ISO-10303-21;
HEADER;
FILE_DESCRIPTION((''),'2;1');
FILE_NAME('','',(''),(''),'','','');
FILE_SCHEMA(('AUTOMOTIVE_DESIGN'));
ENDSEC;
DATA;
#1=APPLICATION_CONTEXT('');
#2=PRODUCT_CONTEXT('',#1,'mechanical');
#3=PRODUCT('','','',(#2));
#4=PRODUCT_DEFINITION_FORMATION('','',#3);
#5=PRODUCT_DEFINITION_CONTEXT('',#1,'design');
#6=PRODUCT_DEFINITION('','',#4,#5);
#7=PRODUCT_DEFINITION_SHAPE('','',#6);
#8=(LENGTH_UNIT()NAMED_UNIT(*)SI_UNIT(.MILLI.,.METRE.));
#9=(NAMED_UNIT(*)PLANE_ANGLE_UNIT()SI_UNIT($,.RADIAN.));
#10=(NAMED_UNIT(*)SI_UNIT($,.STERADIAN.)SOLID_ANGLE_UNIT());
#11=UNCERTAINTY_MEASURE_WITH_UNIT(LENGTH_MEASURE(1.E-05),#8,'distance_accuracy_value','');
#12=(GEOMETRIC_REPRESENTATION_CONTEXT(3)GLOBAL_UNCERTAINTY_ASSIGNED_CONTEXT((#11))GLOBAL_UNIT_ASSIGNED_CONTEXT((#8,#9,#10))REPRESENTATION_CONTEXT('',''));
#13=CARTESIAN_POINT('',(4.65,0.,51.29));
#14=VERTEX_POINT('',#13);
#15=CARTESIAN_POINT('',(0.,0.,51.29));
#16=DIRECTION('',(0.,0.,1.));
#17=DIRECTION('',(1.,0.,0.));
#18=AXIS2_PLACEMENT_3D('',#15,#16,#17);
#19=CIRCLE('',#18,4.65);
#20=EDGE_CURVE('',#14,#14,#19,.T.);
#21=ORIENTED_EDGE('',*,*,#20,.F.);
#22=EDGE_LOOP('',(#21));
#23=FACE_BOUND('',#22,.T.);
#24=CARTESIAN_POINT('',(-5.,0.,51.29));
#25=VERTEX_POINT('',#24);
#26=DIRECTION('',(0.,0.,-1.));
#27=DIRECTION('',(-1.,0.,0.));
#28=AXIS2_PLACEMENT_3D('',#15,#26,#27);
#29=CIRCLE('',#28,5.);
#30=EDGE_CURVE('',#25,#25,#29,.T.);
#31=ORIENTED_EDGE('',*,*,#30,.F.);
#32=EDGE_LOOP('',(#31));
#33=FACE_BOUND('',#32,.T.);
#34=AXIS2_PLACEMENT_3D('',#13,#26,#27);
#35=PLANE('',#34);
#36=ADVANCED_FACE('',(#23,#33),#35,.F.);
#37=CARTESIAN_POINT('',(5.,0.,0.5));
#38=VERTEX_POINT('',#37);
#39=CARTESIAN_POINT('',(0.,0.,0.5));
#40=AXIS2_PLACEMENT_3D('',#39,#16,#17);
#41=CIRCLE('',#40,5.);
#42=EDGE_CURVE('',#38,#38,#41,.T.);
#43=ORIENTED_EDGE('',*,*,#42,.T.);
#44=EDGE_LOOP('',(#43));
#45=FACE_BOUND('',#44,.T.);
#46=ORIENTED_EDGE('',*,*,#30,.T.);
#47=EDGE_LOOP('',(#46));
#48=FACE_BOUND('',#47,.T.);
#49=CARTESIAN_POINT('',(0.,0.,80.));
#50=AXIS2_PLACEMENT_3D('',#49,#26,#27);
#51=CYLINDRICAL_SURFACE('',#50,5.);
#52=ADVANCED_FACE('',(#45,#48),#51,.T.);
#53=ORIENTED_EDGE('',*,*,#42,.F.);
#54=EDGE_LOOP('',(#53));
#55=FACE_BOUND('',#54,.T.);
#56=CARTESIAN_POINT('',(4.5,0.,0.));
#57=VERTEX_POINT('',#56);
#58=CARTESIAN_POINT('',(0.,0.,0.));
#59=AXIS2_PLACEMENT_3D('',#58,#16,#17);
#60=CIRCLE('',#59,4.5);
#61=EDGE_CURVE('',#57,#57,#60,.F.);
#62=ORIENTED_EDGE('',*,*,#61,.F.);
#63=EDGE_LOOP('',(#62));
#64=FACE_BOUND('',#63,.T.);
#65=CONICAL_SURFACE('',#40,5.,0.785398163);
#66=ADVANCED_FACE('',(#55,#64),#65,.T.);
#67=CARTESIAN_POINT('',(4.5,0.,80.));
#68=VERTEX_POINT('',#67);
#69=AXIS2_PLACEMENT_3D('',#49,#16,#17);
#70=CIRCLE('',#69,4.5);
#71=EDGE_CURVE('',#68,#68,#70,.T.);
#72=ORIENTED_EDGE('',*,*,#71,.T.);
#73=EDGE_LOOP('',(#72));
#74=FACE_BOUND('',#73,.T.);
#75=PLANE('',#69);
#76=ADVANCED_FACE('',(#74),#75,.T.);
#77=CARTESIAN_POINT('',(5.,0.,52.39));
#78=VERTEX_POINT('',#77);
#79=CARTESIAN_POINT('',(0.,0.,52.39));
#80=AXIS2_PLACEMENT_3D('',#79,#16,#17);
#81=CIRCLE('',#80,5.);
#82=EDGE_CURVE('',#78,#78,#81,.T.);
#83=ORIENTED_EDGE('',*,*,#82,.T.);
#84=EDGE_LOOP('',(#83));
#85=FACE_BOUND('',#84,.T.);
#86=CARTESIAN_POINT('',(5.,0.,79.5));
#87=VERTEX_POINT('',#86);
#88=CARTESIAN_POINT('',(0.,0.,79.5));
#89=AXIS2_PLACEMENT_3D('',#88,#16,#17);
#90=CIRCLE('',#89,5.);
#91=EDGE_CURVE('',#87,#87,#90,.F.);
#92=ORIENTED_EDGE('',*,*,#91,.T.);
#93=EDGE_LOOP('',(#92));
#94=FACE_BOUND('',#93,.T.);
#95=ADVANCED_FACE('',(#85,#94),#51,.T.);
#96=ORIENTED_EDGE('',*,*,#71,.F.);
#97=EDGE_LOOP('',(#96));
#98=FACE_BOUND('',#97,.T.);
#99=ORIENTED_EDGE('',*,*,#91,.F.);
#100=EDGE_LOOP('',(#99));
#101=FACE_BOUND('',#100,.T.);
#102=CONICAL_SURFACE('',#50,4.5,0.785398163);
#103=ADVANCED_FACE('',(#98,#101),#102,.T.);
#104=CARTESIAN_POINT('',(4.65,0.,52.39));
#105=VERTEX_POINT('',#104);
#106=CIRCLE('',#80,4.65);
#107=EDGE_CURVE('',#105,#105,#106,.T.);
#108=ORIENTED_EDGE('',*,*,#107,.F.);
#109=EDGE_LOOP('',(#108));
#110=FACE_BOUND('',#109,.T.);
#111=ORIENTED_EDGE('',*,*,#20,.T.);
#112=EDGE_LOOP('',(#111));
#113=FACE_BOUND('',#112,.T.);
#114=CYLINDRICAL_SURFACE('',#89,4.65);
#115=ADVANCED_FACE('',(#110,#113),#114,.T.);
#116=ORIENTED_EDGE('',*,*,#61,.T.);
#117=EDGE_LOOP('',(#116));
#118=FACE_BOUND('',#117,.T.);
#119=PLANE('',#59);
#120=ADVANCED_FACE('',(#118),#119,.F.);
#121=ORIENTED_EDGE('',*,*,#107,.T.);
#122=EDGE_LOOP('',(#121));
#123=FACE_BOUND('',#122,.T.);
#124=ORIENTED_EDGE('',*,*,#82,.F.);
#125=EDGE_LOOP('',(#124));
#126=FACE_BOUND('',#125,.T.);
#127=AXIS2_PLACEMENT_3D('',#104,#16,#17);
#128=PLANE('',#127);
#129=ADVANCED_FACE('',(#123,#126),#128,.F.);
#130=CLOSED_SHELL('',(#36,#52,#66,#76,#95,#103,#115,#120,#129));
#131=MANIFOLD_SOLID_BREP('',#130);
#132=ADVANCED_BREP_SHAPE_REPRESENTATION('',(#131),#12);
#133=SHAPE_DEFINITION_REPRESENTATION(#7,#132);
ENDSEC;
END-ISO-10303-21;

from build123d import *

# Parameters (mm, degrees)
SKETCH_1_R      = 5
EXTRUDE_1_DEPTH = 80
CHAMFER_1_SIZE  = 0.5
SKETCH_2_W      = 2.220028262
SKETCH_2_H      = 1.1


with BuildPart() as part:
    # 草图1 → 拉伸1 (new body)
    with BuildSketch(Plane.XY):
        Circle(SKETCH_1_R)
    extrude(amount=EXTRUDE_1_DEPTH)

    # 倒角1
    chamfer_1_edges = [part.edges().sort_by_distance(p)[0] for p in [
        (-5, 0, 0),
        (-5, 0, 80),
    ]]
    chamfer(chamfer_1_edges, length=CHAMFER_1_SIZE)

    # 草图2 → 切除-旋转1 (revolve, cut)
    with BuildSketch(Plane(origin=(0, 0, 0), x_dir=(1, 0, 0), z_dir=(0, 1, 0))):
        with Locations((5.760014131, -51.839999917)):
            Rectangle(SKETCH_2_W, SKETCH_2_H)
    revolve(axis=Axis((0, 0, 80), (0, 0, -1)), mode=Mode.SUBTRACT)


solid = part.part
